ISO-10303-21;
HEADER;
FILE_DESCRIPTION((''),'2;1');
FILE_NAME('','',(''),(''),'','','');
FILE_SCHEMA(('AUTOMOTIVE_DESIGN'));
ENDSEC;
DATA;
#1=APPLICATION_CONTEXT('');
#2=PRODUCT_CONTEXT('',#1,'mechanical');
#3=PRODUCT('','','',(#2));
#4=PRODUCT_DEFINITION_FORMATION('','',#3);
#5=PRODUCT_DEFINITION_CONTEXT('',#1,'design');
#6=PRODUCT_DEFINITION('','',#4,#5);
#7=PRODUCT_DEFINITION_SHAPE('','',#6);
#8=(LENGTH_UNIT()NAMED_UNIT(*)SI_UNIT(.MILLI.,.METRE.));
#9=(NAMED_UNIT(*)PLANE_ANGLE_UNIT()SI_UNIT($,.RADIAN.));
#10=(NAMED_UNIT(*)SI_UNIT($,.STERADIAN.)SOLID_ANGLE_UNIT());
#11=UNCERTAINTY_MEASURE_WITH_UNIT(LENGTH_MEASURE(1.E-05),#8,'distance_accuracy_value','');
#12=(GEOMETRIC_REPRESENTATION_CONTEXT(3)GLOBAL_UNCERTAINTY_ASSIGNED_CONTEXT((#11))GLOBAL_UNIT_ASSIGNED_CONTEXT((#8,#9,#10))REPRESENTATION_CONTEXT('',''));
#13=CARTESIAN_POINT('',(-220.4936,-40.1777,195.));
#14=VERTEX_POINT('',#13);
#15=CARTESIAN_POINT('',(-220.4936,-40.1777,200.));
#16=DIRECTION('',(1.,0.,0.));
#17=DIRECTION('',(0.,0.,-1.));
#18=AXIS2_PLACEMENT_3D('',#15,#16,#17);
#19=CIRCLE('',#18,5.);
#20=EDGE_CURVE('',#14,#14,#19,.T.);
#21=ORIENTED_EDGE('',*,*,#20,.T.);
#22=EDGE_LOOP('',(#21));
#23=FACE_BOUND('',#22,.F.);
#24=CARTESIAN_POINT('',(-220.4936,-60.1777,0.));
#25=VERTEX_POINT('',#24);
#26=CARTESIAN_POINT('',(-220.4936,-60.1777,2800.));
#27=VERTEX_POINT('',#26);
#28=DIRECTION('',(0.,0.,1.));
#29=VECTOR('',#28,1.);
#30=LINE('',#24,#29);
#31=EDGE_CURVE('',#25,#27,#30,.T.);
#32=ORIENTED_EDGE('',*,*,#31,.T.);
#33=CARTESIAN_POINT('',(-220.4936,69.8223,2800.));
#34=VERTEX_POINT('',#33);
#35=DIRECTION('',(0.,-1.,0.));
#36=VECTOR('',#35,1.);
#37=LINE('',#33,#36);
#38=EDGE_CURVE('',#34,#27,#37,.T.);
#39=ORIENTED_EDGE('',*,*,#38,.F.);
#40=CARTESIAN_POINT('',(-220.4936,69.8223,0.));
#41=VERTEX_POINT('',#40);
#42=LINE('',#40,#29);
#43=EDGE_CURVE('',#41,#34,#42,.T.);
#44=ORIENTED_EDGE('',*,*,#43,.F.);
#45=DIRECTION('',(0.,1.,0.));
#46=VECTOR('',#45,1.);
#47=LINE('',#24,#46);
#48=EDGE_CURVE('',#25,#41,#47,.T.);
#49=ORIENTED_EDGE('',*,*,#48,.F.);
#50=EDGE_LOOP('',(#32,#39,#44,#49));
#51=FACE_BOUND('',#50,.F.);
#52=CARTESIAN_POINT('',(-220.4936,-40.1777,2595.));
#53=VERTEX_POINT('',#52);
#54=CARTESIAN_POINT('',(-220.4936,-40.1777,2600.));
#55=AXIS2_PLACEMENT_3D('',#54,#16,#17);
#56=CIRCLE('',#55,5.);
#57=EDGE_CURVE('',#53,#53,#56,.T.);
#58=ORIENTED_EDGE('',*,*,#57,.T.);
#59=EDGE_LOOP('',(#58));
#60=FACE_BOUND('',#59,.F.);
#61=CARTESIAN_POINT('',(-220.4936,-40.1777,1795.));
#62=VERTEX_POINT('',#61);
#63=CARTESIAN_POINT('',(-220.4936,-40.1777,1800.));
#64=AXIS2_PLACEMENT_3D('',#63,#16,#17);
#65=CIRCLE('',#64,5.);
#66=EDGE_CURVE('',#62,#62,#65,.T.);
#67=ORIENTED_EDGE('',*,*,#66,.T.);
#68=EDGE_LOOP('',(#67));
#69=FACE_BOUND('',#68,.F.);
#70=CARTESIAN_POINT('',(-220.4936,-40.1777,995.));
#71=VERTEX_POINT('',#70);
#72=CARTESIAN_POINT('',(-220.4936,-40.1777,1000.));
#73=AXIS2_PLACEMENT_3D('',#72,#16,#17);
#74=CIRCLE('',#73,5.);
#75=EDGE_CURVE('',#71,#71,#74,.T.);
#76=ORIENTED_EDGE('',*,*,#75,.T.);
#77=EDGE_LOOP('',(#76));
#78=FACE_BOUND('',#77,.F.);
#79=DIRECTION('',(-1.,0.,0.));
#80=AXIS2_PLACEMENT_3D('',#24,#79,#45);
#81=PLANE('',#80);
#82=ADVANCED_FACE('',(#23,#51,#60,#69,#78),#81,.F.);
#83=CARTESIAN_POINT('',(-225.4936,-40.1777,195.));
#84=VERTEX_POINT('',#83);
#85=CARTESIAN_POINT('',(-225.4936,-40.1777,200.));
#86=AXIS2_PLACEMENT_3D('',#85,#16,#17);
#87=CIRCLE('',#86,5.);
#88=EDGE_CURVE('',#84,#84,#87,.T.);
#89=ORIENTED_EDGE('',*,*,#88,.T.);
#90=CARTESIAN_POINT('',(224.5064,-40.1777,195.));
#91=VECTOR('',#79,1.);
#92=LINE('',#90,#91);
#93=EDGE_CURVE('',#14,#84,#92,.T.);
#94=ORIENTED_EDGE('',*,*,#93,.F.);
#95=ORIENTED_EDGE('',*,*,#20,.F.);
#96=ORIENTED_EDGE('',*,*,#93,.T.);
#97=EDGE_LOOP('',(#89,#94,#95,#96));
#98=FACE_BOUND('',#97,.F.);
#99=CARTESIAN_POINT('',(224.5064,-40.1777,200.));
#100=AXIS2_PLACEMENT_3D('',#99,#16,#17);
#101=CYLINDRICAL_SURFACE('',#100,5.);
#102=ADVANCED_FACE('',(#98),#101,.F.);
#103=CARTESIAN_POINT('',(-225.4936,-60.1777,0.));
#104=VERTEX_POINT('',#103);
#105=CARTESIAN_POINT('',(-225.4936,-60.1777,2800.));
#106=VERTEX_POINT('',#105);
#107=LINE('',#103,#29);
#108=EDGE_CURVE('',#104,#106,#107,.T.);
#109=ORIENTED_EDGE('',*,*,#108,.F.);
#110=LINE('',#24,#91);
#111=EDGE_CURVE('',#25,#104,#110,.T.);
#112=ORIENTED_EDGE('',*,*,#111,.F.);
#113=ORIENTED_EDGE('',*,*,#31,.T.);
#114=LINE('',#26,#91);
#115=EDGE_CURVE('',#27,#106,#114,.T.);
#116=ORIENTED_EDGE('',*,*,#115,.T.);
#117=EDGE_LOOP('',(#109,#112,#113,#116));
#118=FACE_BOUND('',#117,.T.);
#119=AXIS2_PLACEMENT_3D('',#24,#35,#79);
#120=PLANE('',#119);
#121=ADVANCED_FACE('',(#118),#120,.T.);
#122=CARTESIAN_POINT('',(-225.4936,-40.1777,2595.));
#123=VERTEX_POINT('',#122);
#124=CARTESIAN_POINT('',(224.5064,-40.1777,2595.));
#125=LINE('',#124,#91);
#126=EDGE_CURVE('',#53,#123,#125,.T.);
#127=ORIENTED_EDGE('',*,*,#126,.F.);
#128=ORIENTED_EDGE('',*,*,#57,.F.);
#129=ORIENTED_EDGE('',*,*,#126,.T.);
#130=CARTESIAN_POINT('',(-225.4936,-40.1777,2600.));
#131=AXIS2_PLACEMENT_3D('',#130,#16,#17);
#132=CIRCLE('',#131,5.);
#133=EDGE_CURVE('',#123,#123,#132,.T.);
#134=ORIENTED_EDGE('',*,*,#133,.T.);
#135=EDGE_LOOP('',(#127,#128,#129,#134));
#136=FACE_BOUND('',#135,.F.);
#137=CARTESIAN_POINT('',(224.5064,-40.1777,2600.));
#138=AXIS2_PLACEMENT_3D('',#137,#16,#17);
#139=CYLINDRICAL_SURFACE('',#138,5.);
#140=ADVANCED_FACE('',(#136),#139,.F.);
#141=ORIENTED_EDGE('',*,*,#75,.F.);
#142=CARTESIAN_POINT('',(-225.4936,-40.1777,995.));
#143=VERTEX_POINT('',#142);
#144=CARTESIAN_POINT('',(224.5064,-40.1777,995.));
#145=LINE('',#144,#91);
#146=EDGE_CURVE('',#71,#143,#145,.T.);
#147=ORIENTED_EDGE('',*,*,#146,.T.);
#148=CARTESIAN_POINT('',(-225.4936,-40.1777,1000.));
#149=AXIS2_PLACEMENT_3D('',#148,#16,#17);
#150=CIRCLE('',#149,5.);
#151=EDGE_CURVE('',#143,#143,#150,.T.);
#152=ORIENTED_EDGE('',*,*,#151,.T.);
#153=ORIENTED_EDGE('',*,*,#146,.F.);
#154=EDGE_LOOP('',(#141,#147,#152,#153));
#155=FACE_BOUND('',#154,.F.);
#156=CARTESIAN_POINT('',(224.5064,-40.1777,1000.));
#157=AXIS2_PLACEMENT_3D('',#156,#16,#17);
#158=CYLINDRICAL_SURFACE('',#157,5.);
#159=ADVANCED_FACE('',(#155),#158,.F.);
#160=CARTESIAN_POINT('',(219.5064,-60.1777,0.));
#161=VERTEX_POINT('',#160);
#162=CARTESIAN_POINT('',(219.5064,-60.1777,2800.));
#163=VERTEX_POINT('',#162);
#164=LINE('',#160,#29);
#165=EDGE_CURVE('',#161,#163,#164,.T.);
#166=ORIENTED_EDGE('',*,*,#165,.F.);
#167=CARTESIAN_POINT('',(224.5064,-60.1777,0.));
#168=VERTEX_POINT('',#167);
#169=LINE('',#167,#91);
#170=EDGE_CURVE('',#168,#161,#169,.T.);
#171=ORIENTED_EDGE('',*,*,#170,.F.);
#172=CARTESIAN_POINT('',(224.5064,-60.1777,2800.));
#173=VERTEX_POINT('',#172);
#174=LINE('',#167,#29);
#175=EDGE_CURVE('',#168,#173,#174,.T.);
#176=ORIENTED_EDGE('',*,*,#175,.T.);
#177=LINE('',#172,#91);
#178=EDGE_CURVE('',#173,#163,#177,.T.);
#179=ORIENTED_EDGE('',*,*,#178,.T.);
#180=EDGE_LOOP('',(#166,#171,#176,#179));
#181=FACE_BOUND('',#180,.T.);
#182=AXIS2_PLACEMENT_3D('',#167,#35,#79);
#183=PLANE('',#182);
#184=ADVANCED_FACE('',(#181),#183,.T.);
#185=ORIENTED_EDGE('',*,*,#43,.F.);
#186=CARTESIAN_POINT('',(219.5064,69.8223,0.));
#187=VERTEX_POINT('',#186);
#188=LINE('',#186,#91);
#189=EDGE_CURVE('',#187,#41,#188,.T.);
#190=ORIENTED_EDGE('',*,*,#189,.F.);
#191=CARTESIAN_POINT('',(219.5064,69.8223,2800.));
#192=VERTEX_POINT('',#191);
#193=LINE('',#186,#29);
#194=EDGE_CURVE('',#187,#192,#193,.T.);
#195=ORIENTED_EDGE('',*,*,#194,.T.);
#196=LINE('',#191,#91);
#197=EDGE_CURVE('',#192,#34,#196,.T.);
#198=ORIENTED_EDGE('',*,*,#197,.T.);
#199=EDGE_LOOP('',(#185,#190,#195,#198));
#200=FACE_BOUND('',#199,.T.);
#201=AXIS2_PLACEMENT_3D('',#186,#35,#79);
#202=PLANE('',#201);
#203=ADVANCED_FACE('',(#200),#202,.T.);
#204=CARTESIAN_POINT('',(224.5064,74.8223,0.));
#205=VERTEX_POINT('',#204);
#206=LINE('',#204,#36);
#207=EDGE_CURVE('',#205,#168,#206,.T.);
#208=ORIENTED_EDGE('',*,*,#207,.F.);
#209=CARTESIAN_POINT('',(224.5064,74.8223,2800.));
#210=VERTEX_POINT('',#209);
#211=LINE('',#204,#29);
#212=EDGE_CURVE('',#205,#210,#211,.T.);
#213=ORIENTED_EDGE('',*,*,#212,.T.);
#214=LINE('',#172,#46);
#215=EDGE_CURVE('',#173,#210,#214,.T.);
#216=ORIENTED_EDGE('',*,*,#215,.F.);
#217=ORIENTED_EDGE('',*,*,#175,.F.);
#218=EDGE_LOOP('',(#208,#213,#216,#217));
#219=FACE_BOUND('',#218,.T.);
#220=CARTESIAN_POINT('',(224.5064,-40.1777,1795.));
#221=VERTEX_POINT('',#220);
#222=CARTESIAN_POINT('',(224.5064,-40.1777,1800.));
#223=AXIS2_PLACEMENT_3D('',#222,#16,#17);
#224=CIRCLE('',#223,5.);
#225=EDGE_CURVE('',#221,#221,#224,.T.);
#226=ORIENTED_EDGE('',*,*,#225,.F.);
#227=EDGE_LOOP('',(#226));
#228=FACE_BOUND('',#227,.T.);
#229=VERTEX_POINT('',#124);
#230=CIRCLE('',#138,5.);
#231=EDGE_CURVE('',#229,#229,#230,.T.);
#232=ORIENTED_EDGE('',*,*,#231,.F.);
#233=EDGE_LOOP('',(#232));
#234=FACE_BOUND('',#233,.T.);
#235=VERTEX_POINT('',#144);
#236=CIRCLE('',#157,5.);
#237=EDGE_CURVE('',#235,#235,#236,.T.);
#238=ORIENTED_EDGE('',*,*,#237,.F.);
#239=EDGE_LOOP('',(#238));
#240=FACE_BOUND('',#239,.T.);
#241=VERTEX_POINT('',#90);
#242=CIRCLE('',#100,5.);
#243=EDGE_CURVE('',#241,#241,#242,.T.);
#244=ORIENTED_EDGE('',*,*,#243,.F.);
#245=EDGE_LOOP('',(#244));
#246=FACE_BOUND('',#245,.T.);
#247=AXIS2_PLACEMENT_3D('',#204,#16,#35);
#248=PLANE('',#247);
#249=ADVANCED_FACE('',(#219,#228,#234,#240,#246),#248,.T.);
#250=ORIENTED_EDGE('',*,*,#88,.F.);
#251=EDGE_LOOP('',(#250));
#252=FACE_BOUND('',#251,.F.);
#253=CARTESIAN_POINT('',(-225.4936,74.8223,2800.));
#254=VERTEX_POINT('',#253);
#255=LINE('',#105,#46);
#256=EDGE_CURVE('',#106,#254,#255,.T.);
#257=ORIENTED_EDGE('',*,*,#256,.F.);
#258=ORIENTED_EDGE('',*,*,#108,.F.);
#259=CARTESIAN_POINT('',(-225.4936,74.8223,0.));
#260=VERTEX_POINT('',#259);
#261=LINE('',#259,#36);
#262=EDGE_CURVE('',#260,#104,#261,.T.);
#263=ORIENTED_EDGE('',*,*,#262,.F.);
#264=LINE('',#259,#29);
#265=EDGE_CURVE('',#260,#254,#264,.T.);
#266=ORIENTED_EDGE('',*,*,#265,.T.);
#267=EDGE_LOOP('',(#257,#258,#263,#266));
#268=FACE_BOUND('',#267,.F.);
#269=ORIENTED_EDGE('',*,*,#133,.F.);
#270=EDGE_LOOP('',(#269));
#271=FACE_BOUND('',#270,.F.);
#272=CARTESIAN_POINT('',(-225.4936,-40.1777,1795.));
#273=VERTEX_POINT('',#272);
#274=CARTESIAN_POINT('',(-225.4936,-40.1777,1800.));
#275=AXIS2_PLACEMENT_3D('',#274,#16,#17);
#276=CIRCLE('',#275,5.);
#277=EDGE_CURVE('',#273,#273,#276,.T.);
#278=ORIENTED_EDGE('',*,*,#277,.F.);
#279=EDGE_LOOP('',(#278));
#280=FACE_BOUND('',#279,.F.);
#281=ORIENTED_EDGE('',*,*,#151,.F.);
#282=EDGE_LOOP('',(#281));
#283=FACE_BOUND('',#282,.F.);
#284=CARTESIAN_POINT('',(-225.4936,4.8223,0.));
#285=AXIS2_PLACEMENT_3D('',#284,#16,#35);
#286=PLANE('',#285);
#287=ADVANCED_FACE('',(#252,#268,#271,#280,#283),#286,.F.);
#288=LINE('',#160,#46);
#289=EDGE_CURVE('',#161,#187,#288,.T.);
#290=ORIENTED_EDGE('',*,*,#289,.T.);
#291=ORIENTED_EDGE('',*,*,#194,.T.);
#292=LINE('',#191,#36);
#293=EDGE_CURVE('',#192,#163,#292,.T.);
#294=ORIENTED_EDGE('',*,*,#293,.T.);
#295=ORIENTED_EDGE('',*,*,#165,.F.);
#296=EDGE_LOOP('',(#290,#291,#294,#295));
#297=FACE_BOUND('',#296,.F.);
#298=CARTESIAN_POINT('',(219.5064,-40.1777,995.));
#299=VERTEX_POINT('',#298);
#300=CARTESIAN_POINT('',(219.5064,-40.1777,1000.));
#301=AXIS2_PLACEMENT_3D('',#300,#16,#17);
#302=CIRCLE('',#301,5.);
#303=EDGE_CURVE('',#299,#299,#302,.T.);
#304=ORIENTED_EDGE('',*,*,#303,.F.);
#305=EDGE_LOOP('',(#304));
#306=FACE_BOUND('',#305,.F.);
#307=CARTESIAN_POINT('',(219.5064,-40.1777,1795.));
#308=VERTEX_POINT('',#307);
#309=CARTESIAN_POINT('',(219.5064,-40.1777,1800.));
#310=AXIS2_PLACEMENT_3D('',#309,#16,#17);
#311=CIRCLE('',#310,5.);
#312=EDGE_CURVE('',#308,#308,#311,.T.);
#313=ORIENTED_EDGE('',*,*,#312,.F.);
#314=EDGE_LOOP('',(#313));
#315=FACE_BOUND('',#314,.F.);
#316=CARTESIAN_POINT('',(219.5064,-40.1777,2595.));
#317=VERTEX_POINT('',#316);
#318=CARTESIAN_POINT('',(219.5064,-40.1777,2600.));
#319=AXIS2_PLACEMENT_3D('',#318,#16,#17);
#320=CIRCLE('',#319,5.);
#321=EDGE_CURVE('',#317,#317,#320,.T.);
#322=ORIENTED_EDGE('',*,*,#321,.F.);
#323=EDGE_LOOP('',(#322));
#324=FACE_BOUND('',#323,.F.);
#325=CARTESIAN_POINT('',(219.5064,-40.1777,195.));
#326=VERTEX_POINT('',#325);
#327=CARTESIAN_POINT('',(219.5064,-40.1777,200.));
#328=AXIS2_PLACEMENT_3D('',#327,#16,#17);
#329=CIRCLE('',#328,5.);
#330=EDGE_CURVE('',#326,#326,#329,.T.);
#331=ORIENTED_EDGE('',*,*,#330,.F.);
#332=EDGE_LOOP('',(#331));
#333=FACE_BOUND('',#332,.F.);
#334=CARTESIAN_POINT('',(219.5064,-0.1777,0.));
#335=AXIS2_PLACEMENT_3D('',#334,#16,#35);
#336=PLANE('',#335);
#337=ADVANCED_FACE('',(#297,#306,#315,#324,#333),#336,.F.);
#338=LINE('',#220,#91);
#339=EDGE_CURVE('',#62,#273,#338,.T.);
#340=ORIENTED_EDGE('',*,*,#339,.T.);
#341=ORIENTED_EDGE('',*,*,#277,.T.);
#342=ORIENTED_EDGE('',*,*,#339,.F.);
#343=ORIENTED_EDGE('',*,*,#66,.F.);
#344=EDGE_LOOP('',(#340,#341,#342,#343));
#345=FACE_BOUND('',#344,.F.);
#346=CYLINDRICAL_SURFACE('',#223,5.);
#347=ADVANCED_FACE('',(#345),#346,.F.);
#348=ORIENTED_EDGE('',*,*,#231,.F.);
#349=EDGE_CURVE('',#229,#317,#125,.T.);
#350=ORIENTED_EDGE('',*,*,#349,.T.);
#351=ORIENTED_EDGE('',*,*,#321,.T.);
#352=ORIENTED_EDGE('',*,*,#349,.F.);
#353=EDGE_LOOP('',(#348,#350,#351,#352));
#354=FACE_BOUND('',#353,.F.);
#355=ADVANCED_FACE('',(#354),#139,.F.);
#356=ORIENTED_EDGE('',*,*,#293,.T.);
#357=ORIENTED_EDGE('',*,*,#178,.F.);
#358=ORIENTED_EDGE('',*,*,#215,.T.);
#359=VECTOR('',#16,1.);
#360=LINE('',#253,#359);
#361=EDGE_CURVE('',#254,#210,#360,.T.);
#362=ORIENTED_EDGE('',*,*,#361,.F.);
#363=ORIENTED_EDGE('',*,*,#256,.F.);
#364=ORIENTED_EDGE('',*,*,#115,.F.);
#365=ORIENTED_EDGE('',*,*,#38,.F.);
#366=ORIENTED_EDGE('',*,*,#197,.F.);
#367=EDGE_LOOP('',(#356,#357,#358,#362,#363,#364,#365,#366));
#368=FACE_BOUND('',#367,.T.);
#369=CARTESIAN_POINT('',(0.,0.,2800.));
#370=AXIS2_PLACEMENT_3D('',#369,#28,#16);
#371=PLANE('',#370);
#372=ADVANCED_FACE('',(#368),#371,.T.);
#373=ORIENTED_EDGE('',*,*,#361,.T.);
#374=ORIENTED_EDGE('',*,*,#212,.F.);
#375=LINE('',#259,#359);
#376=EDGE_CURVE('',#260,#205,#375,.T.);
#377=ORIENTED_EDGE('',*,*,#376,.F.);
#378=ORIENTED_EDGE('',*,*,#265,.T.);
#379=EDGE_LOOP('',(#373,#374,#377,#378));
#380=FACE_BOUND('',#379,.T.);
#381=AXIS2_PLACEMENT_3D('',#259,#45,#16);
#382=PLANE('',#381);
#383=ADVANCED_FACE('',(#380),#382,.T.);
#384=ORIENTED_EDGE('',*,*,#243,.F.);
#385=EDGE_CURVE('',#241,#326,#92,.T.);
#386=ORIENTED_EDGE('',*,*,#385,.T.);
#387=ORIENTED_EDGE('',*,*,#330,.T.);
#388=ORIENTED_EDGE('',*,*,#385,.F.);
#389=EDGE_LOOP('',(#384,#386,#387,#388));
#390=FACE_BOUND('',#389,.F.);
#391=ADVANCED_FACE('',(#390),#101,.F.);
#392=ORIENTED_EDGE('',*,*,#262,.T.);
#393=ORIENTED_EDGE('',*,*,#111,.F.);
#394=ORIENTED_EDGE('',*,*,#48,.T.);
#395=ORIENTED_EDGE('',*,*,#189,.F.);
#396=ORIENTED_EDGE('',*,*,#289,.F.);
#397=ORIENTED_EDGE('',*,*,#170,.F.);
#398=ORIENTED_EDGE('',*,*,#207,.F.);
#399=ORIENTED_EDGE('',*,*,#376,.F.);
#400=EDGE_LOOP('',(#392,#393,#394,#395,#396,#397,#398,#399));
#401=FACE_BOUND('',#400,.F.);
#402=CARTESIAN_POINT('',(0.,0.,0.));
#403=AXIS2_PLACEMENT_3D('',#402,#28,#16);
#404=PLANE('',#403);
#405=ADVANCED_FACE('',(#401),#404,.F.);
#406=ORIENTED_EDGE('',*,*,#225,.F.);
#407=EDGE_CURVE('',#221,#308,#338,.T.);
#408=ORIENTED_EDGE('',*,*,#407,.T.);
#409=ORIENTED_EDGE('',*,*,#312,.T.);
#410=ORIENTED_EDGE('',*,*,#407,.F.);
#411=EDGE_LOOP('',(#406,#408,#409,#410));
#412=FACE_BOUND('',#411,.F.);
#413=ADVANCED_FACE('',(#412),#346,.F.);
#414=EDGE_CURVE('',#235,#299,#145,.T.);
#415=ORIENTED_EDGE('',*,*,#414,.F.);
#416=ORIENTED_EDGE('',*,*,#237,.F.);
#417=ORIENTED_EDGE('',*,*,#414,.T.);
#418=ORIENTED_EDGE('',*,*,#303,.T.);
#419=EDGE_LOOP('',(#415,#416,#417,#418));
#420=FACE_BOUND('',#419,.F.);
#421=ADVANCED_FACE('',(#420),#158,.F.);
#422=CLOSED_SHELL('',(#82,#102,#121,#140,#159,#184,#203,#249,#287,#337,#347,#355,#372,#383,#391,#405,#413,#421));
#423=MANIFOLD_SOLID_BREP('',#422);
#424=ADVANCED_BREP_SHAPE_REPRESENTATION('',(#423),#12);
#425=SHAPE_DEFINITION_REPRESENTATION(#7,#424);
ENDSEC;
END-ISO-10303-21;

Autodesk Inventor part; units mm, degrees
ref_plane "YZ Plane" through (0, 0, 0) normal (1, 0, 0) x (0, 1, 0)
ref_plane "XZ Plane" through (0, 0, 0) normal (0, 1, 0) x (-1, 0, 0)
ref_plane "XY Plane" through (0, 0, 0) normal (0, 0, 1) x (1, 0, 0)
sketch "Esboço1" plane through (0, 0, 0) normal (0, 0, 1) x (1, 0, 0)
  line L0 (-220.4936, -60.1777) -> (-220.4936, -0.1777)
  line L1 (219.5064, -0.1777) -> (219.5064, -60.1777)
  line L2 (224.5064, -60.1777) -> (224.5064, 4.8223)
  line L3 (-225.4936, 4.8223) -> (-225.4936, -60.1777)
  line L4 (-225.4936, 4.8223) -> (-225.4936, 74.8223)
  line L5 (-225.4936, 74.8223) -> (224.5064, 74.8223)
  line L6 (224.5064, 74.8223) -> (224.5064, 4.8223)
  line L7 (219.5064, -60.1777) -> (219.5064, 4.8223)
  line L8 (219.5064, 4.8223) -> (219.5064, 69.8223)
  line L9 (219.5064, 69.8223) -> (-220.4936, 69.8223)
  line L10 (-220.4936, 69.8223) -> (-220.4936, 4.8223)
  line L11 (-220.4936, 4.8223) -> (-220.4936, -60.1777)
  line L12 (-220.4936, -60.1777) -> (-225.4936, -60.1777)
  line L13 (224.5064, -60.1777) -> (219.5064, -60.1777)
  point P0 (0, 0)
  dimension "d0" = 60
  dimension "d1" = 440
  dimension "d2" = 70
  dimension "d3" = 5
extrude "Extrusão1" add sketch "Esboço1" along normal blind 2800
sketch "Esboço2" plane through (224.5064, -60.1777, 0) normal (1, 0, 0) x (0, 0, -1)
  line L0 (0, 0) -> (-2800, 0) projected
  line L1 (0, 0) -> (-2800, 0)
  line L2 (-2800, 0) -> (-2800, 40)
  line L3 (-2800, 40) -> (0, 40)
  line L4 (0, 40) -> (0, 0)
  circle A0 centre (-200, 20) radius 5
  circle A1 centre (-1000, 20) radius 5
  circle A2 centre (-1800, 20) radius 5
  circle A3 centre (-2600, 20) radius 5
  point P0 (0, 60.1777)
  dimension "d6" = 2800
  dimension "d7" = 40
  dimension "d8" = 10
  dimension "d9" = 10
  dimension "d10" = 10
  dimension "d11" = 10
  dimension "d12" = 20
  dimension "d13" = 20
  dimension "d14" = 20
  dimension "d15" = 20
  dimension "d16" = 800
  dimension "d17" = 800
  dimension "d18" = 800
  dimension "d19" = 200
extrude "Extrusão2" cut sketch "Esboço2" against normal through all contours A0 | A1 | A2 | A3
properties part number "Teste Placa" material "Policarbonato, transparente"
